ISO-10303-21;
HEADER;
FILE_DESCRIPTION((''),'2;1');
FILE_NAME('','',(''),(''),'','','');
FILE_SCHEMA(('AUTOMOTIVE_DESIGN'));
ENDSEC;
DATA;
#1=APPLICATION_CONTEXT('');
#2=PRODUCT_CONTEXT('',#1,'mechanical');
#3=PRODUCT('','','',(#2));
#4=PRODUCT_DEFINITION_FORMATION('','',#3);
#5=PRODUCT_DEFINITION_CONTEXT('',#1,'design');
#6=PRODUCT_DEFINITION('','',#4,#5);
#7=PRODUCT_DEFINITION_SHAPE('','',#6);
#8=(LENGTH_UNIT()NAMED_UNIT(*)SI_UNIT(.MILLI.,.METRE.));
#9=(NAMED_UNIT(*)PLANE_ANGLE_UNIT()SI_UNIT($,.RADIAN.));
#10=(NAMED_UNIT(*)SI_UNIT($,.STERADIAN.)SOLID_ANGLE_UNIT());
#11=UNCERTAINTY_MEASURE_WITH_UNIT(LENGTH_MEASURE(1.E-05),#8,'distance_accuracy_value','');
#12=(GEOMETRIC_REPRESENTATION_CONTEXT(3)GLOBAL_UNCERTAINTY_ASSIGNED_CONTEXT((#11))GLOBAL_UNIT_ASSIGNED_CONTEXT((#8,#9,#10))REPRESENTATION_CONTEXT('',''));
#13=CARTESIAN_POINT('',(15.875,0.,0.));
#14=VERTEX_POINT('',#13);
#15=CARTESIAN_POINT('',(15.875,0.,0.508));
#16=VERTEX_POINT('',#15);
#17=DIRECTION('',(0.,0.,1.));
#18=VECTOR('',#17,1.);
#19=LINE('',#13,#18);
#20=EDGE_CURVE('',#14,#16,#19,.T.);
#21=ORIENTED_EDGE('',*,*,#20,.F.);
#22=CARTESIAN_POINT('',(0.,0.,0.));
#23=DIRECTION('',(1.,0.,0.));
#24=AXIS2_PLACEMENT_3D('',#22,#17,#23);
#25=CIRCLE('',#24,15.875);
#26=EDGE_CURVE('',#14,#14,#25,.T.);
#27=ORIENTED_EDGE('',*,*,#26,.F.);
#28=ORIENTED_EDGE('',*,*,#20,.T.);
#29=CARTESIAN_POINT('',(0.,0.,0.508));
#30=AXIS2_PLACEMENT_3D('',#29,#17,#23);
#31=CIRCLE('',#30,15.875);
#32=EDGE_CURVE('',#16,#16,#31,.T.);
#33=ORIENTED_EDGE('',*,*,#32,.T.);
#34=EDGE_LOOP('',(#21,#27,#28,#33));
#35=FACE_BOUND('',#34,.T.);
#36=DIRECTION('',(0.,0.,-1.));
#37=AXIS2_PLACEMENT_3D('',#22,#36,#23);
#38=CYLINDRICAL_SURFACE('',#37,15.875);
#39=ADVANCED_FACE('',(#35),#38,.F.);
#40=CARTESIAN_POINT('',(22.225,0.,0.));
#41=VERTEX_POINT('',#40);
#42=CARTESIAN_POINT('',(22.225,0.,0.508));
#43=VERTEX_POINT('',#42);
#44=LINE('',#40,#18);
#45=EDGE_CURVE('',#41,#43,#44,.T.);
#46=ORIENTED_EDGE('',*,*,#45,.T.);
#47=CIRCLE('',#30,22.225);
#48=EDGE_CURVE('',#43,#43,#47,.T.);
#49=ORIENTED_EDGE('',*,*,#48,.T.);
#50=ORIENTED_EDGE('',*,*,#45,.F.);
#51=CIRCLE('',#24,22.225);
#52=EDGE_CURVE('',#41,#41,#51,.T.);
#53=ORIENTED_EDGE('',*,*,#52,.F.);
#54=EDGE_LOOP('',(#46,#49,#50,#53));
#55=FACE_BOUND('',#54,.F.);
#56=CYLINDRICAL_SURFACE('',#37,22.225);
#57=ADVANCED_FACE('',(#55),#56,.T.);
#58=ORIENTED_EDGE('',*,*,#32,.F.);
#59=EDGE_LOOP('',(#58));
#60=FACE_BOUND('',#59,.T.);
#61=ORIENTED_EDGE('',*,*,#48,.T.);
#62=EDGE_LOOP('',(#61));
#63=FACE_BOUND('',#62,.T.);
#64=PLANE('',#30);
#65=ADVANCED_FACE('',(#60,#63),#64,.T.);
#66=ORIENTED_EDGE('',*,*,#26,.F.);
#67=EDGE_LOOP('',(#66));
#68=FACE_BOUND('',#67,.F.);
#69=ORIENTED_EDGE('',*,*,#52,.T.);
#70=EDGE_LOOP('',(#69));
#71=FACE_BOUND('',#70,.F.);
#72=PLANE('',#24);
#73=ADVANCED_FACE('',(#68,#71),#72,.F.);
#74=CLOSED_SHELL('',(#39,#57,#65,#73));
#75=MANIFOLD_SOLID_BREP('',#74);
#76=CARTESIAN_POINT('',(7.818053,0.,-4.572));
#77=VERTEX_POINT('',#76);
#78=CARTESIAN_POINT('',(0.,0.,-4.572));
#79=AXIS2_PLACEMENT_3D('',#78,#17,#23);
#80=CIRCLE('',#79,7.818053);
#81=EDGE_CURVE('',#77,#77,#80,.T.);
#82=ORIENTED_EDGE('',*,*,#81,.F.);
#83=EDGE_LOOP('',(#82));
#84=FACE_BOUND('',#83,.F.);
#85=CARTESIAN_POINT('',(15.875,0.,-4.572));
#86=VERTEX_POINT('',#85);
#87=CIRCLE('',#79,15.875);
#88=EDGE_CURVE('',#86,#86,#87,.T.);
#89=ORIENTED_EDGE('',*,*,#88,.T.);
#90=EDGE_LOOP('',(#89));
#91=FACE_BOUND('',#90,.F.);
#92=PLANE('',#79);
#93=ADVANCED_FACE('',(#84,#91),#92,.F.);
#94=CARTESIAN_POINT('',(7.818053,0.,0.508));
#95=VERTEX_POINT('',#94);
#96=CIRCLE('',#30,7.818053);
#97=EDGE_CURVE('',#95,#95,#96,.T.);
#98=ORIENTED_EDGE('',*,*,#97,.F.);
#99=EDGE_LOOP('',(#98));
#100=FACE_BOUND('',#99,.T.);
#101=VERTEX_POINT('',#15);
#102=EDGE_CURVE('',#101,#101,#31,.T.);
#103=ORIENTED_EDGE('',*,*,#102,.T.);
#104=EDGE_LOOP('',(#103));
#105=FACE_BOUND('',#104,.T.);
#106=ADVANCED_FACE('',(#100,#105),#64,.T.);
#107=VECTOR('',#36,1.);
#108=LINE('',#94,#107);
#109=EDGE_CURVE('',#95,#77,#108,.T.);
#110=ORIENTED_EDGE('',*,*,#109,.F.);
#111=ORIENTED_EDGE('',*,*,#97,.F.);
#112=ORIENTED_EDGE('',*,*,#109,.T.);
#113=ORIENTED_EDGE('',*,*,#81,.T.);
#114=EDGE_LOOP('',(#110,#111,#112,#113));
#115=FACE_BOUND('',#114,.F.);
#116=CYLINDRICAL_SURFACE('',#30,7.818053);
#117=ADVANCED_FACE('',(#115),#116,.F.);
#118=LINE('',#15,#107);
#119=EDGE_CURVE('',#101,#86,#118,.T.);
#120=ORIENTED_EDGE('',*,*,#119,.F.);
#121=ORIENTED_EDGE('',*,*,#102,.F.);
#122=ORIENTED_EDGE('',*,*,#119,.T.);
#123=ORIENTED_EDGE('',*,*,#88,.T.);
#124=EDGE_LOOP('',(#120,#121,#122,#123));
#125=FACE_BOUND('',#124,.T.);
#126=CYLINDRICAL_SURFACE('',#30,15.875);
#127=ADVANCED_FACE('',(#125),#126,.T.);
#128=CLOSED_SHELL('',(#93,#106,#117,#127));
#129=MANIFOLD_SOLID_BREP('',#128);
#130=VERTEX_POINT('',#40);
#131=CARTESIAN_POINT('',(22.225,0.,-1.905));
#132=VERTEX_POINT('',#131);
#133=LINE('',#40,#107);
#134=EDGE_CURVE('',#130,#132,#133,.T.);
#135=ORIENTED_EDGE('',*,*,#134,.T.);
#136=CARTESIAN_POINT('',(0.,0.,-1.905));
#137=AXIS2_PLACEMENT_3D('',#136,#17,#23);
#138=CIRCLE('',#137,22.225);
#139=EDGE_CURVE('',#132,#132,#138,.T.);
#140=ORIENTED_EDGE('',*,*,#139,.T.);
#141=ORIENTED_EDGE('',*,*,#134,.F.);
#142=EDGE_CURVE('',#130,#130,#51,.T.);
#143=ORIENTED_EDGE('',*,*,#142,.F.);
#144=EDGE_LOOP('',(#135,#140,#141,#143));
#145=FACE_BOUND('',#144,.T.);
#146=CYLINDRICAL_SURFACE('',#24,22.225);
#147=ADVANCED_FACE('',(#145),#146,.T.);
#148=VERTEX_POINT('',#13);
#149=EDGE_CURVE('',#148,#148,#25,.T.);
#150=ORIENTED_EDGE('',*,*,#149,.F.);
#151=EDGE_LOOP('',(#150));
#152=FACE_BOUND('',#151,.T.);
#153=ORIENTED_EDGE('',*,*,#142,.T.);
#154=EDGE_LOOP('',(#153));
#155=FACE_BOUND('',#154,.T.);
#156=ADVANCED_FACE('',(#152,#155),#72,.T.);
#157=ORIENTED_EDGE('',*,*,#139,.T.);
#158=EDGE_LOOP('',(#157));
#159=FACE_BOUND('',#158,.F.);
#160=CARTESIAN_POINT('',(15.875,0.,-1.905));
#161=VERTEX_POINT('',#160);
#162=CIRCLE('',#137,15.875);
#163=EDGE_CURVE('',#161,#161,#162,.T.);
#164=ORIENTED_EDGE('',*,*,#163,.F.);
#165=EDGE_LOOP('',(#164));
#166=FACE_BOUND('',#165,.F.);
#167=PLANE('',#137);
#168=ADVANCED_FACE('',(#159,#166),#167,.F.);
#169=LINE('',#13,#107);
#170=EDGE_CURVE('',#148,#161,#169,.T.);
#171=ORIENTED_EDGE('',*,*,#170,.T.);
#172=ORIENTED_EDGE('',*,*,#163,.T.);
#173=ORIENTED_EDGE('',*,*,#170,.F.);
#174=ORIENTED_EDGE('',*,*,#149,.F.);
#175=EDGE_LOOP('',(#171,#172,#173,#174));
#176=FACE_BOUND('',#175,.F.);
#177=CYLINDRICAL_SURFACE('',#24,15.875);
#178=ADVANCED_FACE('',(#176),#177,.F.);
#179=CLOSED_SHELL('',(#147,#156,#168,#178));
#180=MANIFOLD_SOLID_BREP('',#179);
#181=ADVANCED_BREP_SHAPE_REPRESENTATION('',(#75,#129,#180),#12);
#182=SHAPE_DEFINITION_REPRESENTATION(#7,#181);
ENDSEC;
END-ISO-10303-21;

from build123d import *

# Parameters (mm, degrees)
F0_R        = 22.225
F0_R_2      = 15.875
F1_DEPTH    = 1.905
F1_FACE_R   = 22.225
F1_FACE_R_2 = 15.875
F2_DEPTH    = 0.508
F3_R        = 15.875
F3_R_2      = 7.818053
F4_DEPTH    = 5.08


with BuildPart() as f1:
    # F0 (on Top) → F1 (new body)
    with BuildSketch(Plane.XY):
        Circle(F0_R)
        Circle(F0_R_2, mode=Mode.SUBTRACT)
    extrude(amount=-F1_DEPTH)


with BuildPart() as f2:
    # F1_face (on face) → F2 (new body)
    with BuildSketch(Plane.XY):
        Circle(F1_FACE_R)
        Circle(F1_FACE_R_2, mode=Mode.SUBTRACT)
    extrude(amount=F2_DEPTH)


with BuildPart() as f4:
    # F3 (on face) → F4 (new body)
    with BuildSketch(Plane.XY.offset(0.508)):
        Circle(F3_R)
        Circle(F3_R_2, mode=Mode.SUBTRACT)
    extrude(amount=-F4_DEPTH)


solid = Compound([f1.part, f2.part, f4.part])
